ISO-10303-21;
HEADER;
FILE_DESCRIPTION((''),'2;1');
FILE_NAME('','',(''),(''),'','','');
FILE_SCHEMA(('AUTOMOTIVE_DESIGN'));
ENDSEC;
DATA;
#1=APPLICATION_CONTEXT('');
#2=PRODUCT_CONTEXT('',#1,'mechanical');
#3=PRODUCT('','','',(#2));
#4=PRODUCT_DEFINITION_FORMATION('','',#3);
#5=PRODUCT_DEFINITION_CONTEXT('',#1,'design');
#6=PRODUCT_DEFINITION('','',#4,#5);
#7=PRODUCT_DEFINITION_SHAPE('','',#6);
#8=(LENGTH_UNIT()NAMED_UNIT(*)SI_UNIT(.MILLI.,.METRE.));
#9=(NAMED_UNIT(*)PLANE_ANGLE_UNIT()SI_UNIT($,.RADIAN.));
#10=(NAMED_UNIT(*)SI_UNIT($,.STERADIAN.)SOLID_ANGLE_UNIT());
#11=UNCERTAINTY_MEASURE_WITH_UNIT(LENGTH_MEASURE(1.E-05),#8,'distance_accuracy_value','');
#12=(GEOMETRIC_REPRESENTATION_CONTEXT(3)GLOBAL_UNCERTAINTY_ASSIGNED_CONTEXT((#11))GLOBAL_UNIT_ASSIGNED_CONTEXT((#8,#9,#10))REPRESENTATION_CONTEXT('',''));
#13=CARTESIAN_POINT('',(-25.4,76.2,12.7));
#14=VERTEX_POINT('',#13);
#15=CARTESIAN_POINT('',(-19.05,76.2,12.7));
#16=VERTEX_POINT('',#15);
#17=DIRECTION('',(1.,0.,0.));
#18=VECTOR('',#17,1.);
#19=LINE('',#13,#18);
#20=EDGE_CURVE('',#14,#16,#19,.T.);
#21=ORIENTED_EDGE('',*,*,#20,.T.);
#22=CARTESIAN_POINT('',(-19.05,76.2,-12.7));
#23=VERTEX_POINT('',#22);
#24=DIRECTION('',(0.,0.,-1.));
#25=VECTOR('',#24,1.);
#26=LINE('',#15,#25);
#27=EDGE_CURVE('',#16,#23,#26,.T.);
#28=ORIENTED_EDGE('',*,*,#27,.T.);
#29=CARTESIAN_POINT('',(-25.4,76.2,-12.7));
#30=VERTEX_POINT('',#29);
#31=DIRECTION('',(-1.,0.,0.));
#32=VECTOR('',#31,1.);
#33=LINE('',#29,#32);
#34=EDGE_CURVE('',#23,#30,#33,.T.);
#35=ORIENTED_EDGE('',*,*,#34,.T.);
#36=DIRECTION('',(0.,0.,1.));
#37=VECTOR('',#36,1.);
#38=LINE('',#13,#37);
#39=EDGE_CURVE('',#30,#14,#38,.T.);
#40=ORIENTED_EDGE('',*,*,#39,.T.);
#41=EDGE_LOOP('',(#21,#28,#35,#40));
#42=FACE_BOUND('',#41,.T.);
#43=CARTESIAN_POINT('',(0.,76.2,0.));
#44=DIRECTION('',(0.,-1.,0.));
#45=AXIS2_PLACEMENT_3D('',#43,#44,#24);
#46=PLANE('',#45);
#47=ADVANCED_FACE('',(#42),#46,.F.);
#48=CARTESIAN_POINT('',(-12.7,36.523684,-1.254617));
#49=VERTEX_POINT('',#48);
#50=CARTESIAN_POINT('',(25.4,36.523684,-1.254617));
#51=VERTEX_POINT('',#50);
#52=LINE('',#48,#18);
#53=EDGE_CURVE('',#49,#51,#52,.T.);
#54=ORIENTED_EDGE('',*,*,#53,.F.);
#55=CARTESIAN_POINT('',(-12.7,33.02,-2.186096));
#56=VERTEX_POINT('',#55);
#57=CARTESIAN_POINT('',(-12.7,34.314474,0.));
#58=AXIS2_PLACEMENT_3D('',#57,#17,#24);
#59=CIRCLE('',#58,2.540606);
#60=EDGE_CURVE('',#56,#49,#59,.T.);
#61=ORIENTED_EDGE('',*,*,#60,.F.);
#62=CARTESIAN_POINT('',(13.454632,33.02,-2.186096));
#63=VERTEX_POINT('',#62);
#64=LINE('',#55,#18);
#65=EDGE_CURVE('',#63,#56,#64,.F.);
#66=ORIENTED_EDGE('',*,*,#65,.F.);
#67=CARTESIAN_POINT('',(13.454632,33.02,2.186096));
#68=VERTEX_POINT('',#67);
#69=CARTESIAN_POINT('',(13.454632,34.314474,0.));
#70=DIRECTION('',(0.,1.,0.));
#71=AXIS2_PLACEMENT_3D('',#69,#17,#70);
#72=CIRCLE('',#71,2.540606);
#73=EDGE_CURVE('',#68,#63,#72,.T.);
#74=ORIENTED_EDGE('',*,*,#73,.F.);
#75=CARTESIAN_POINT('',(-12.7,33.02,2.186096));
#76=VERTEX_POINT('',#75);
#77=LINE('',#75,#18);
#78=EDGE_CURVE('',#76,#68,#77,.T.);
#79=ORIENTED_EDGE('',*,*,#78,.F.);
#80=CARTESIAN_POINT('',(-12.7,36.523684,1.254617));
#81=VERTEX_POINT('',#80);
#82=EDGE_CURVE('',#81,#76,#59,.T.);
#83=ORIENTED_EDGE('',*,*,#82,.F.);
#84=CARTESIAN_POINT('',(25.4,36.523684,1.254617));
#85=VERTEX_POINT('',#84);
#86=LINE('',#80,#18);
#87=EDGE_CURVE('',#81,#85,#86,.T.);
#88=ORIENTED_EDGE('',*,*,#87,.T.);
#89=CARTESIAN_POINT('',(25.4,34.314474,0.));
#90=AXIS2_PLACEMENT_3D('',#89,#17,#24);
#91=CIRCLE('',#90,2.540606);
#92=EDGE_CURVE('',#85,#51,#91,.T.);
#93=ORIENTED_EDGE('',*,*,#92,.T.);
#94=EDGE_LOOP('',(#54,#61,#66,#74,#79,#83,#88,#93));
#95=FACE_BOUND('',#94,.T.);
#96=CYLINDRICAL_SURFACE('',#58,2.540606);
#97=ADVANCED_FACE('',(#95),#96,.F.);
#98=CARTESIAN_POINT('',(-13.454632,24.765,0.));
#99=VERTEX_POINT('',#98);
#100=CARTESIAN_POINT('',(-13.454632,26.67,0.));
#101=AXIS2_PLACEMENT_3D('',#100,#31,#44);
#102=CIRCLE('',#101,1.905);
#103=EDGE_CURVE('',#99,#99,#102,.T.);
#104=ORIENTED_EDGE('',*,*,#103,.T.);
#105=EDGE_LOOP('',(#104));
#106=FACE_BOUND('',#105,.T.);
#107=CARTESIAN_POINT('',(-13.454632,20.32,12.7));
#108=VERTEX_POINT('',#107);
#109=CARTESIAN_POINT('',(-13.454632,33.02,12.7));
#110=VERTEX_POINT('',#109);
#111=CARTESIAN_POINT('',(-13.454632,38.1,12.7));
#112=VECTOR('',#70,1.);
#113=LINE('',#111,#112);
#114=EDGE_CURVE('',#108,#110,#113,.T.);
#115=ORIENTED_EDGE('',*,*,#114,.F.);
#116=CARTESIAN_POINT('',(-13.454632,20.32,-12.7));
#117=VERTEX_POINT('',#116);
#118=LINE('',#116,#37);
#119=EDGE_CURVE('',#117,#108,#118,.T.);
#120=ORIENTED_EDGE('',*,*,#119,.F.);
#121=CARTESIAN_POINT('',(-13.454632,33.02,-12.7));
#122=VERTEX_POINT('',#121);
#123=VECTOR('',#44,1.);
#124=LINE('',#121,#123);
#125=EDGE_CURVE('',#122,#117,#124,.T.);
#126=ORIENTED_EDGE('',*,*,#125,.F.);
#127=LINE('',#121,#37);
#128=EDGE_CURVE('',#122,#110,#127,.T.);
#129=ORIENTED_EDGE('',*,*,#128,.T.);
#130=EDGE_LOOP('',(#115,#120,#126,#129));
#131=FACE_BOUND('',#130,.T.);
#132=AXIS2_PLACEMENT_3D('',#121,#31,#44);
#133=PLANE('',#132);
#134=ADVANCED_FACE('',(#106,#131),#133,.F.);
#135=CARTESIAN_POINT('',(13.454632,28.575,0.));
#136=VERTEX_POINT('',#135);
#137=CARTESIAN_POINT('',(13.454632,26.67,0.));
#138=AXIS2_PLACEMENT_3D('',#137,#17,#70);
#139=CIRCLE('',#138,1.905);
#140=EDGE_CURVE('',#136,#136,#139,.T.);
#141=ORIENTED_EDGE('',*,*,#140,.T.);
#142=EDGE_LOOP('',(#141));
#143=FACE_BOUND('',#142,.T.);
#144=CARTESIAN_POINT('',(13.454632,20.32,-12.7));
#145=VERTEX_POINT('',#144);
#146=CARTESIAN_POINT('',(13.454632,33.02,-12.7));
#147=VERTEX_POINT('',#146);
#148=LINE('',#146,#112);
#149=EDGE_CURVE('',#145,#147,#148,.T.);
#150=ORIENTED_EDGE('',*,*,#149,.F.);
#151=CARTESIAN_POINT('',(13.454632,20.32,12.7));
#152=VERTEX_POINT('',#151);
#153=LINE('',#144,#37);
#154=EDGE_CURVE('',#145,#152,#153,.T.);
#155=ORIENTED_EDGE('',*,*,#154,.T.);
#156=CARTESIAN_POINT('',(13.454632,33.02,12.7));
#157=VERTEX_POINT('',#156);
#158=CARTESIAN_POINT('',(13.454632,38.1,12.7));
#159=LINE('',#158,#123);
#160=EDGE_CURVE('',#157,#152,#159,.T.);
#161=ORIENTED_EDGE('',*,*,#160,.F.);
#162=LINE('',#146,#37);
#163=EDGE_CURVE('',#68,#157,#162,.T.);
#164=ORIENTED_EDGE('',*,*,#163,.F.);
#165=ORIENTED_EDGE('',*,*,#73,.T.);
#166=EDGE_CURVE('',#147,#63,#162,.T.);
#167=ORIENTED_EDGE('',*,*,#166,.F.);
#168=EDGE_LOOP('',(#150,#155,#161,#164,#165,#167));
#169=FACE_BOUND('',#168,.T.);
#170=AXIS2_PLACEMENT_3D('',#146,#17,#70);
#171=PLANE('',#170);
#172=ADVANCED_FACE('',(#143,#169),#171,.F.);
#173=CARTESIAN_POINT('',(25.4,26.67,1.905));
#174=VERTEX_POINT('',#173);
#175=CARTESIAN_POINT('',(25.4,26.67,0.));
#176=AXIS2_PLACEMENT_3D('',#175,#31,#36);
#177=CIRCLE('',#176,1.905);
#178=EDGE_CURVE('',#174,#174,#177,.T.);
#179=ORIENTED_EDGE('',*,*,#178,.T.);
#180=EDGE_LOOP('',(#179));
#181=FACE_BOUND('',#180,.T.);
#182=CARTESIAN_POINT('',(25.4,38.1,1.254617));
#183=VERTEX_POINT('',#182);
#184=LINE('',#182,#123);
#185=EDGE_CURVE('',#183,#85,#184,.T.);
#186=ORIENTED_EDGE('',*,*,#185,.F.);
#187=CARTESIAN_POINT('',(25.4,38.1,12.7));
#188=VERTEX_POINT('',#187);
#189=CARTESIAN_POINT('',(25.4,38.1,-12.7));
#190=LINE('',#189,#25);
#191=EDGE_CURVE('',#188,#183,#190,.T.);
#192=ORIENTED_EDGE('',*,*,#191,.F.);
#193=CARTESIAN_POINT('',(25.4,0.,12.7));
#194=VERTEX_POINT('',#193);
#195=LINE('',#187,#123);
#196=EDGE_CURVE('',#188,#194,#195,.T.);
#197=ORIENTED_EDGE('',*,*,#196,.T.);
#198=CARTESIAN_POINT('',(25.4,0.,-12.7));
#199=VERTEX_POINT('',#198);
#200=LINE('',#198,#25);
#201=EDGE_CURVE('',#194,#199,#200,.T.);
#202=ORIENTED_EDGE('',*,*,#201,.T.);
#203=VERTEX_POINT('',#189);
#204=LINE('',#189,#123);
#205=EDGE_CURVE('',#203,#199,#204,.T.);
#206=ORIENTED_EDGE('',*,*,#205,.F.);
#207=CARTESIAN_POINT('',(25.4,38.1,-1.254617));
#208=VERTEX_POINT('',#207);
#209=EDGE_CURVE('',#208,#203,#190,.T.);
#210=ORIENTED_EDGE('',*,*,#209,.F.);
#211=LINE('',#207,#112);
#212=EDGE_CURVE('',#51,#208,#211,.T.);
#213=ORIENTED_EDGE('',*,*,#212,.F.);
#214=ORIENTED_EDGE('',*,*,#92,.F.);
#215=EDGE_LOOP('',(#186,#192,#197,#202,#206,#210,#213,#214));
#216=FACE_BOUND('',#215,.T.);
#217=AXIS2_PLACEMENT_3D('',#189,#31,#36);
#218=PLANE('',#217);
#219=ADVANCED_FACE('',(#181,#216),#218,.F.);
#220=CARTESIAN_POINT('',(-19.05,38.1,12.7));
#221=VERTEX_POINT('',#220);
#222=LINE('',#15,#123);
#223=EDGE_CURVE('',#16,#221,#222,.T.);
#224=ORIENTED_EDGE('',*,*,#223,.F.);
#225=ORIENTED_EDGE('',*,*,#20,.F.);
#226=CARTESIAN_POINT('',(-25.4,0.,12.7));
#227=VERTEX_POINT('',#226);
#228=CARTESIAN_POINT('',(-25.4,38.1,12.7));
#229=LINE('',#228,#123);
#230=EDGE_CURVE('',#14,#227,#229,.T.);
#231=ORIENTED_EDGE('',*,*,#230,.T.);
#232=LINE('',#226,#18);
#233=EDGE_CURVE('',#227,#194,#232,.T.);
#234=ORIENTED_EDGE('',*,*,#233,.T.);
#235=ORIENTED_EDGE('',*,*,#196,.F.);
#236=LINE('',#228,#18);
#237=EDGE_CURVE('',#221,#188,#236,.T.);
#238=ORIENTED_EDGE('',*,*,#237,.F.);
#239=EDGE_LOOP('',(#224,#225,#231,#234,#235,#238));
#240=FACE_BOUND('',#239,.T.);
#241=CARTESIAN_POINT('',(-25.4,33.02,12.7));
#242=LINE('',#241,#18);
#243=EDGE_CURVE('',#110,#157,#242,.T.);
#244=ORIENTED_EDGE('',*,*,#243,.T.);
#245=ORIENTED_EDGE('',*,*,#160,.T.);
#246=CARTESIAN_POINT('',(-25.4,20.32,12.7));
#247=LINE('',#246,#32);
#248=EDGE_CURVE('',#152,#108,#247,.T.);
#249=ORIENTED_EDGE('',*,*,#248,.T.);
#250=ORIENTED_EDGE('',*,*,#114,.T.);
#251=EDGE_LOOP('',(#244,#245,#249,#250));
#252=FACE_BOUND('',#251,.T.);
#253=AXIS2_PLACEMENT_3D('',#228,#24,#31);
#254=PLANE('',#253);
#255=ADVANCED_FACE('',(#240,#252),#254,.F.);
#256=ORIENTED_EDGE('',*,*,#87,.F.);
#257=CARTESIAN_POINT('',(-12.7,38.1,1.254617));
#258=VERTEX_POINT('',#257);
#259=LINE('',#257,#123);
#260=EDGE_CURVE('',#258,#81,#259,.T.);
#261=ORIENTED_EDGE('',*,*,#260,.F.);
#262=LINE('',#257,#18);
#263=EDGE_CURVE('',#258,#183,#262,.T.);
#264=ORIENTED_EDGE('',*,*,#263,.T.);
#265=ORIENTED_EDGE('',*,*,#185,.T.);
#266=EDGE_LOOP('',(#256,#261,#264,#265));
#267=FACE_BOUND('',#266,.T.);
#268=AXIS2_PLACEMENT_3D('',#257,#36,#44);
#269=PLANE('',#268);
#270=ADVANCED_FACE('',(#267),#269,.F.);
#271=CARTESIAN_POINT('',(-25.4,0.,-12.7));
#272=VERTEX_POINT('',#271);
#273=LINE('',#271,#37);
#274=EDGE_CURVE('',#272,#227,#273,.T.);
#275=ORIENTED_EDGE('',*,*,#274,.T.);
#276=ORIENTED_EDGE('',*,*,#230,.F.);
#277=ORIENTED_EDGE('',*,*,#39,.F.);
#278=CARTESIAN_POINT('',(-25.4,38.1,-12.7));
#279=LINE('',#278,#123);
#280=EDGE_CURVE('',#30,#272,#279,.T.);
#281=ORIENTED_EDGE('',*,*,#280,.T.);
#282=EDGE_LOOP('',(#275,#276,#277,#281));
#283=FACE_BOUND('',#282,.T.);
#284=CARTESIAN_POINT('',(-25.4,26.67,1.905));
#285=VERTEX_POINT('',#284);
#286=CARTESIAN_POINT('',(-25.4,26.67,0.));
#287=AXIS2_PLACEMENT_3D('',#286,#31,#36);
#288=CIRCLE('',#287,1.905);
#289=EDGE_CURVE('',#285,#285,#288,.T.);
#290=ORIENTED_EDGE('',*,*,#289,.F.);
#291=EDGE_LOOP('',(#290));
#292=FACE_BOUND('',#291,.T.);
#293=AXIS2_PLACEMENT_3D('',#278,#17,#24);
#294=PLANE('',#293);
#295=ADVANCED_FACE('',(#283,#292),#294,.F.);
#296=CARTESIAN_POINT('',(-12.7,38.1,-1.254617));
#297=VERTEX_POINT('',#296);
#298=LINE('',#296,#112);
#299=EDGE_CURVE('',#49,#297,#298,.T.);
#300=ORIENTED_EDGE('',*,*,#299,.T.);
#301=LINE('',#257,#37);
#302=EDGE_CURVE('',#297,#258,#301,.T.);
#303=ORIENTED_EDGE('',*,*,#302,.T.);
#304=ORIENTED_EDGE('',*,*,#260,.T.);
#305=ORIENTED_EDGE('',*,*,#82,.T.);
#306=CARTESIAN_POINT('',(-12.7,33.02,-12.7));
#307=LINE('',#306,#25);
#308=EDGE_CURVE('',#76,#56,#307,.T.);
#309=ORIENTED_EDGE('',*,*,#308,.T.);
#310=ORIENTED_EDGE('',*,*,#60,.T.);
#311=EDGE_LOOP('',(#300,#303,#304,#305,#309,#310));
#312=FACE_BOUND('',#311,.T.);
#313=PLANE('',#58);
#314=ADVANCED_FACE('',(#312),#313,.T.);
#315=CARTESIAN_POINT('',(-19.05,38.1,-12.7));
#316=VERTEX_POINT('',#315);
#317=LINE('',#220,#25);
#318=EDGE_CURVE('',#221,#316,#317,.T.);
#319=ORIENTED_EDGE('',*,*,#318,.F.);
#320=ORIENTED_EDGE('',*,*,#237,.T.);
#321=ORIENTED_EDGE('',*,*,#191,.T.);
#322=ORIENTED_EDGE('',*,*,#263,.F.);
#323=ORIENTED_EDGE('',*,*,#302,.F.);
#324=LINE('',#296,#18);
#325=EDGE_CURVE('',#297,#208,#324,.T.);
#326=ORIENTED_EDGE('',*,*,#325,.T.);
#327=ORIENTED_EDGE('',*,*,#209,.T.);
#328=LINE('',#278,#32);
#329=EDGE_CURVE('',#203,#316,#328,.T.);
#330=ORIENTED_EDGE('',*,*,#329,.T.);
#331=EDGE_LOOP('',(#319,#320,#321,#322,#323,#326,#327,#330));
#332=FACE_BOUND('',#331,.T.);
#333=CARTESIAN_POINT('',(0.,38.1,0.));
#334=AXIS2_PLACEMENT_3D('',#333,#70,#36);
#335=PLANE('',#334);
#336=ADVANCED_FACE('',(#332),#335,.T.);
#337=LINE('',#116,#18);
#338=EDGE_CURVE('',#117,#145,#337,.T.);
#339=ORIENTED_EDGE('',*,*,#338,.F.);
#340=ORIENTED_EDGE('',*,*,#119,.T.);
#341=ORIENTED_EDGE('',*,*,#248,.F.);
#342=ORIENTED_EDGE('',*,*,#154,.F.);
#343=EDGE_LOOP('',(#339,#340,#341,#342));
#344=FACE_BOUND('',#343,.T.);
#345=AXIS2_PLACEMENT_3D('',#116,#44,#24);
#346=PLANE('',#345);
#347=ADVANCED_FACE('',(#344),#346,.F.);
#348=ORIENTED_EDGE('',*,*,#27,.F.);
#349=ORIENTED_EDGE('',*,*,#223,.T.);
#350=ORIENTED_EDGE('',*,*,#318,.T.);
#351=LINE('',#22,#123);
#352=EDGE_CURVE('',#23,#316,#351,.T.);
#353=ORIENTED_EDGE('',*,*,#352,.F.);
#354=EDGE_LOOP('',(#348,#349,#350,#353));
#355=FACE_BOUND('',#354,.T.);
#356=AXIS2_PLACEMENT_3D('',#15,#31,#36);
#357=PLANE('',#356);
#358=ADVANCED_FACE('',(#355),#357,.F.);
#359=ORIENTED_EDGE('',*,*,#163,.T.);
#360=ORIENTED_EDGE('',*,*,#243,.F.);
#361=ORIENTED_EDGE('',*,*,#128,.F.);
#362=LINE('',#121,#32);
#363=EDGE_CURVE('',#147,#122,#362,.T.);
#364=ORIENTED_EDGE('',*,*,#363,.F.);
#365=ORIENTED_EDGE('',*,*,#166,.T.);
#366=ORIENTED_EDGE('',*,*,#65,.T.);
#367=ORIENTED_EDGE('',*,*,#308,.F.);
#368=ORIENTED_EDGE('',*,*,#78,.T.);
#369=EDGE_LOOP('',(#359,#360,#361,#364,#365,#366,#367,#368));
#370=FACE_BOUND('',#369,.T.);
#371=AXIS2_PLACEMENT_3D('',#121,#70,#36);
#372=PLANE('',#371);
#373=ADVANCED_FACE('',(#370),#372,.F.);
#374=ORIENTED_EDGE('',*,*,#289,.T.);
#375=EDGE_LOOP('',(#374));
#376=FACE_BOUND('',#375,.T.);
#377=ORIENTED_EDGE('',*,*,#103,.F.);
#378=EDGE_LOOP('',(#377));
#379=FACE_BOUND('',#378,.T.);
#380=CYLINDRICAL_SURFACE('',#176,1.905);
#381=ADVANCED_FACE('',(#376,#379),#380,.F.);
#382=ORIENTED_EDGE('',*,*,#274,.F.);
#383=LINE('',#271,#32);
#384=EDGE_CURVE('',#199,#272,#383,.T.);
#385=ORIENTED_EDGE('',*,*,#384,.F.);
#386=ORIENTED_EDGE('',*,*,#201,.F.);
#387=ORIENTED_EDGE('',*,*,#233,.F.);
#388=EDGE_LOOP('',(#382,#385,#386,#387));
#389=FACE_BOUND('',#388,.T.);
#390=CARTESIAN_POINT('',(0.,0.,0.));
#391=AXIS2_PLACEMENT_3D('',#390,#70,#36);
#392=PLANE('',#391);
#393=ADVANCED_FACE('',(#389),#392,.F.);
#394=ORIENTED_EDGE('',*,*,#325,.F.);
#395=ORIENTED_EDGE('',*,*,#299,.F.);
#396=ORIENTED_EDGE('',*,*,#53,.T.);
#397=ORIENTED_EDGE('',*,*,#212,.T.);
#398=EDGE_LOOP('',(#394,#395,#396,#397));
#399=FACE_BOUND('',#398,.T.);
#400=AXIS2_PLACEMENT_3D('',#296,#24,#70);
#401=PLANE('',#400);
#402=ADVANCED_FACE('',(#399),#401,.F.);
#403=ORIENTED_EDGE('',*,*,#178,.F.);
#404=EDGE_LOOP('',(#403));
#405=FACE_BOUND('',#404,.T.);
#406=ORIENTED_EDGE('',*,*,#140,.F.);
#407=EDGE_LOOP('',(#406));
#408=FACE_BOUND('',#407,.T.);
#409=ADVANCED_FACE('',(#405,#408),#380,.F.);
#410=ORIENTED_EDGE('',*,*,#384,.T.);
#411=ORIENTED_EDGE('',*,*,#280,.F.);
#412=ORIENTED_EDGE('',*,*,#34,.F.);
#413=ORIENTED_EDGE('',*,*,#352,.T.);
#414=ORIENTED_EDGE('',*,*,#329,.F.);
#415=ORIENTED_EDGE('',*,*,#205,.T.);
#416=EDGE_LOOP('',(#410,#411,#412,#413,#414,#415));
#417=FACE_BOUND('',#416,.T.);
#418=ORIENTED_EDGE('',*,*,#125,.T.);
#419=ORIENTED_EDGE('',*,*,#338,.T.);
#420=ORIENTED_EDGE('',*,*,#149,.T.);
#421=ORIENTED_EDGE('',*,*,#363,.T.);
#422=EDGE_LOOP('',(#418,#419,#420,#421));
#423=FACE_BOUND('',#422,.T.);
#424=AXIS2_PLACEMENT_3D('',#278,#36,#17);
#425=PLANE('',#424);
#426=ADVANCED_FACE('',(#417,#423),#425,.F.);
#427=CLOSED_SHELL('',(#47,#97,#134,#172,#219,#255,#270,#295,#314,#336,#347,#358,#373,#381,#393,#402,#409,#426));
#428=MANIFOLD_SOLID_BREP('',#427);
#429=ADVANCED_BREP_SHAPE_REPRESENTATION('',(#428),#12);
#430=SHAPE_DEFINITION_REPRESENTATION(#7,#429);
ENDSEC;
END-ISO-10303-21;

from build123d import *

# Parameters (mm, degrees)
SKETCH1_W               = 50.8
SKETCH1_H               = 25.4
BOSS_EXTRUDE1_DEPTH     = 38.1
CUT_EXTRUDE1_DEPTH      = 53.363441445
CUT_EXTRUDE1_DEPTH_BACK = 53.363441445
SKETCH2_W               = 26.909263032
SKETCH2_H               = 12.7
CUT_EXTRUDE2_DEPTH      = 65.757547823
CUT_EXTRUDE2_DEPTH_BACK = 65.757547823
SKETCH3_R               = 1.905
SKETCH4_W               = 6.35
SKETCH4_H               = 25.4
BOSS_EXTRUDE2_DEPTH     = 38.1
CUT_EXTRUDE3_DEPTH      = 38.1


with BuildPart() as part:
    # Sketch1 → Boss-Extrude1 (new body)
    with BuildSketch(Plane(origin=(0, 0, 0), x_dir=(1, 0, 0), z_dir=(0, 1, 0))):
        Rectangle(SKETCH1_W, SKETCH1_H)
    extrude(amount=BOSS_EXTRUDE1_DEPTH)

    # Sketch2 → Cut-Extrude1 (cut, two sides: drawn at the far end of the back side and taken through both)
    with BuildSketch(Plane.XY.offset(12.7).offset(-CUT_EXTRUDE1_DEPTH_BACK)):
        with Locations((0, 26.67)):
            Rectangle(SKETCH2_W, SKETCH2_H)
    extrude(amount=CUT_EXTRUDE1_DEPTH + CUT_EXTRUDE1_DEPTH_BACK, mode=Mode.SUBTRACT)

    # Sketch3 → Cut-Extrude2 (cut, two sides: drawn at the far end of the back side and taken through both)
    with BuildSketch(Plane.ZY.offset(25.4).offset(-CUT_EXTRUDE2_DEPTH_BACK)):
        with Locations((0, 26.67)):
            Circle(SKETCH3_R)
    extrude(amount=CUT_EXTRUDE2_DEPTH + CUT_EXTRUDE2_DEPTH_BACK, mode=Mode.SUBTRACT)

    # Sketch4 → Boss-Extrude2 (add)
    with BuildSketch(Plane(origin=(0, 38.1, 0), x_dir=(1, 0, 0), z_dir=(0, 1, 0))):
        with Locations((-22.225, 0)):
            Rectangle(SKETCH4_W, SKETCH4_H)
    extrude(amount=BOSS_EXTRUDE2_DEPTH)

    # Sketch5 → Cut-Extrude3 (cut)
    with BuildSketch(Plane(origin=(25.4, 0, 0), x_dir=(0, 0, -1), z_dir=(1, 0, 0))):
        with BuildLine():
            Line((-1.254617423, 38.1), (1.254617423, 38.1))
            Line((1.254617423, 38.1), (1.254617423, 36.523684183))
            ThreePointArc((1.254617423, 36.523684183), (0, 31.773868069), (-1.254617423, 36.523684183))
            Line((-1.254617423, 36.523684183), (-1.254617423, 38.1))
        make_face()
    extrude(amount=-CUT_EXTRUDE3_DEPTH, mode=Mode.SUBTRACT)


solid = part.part
